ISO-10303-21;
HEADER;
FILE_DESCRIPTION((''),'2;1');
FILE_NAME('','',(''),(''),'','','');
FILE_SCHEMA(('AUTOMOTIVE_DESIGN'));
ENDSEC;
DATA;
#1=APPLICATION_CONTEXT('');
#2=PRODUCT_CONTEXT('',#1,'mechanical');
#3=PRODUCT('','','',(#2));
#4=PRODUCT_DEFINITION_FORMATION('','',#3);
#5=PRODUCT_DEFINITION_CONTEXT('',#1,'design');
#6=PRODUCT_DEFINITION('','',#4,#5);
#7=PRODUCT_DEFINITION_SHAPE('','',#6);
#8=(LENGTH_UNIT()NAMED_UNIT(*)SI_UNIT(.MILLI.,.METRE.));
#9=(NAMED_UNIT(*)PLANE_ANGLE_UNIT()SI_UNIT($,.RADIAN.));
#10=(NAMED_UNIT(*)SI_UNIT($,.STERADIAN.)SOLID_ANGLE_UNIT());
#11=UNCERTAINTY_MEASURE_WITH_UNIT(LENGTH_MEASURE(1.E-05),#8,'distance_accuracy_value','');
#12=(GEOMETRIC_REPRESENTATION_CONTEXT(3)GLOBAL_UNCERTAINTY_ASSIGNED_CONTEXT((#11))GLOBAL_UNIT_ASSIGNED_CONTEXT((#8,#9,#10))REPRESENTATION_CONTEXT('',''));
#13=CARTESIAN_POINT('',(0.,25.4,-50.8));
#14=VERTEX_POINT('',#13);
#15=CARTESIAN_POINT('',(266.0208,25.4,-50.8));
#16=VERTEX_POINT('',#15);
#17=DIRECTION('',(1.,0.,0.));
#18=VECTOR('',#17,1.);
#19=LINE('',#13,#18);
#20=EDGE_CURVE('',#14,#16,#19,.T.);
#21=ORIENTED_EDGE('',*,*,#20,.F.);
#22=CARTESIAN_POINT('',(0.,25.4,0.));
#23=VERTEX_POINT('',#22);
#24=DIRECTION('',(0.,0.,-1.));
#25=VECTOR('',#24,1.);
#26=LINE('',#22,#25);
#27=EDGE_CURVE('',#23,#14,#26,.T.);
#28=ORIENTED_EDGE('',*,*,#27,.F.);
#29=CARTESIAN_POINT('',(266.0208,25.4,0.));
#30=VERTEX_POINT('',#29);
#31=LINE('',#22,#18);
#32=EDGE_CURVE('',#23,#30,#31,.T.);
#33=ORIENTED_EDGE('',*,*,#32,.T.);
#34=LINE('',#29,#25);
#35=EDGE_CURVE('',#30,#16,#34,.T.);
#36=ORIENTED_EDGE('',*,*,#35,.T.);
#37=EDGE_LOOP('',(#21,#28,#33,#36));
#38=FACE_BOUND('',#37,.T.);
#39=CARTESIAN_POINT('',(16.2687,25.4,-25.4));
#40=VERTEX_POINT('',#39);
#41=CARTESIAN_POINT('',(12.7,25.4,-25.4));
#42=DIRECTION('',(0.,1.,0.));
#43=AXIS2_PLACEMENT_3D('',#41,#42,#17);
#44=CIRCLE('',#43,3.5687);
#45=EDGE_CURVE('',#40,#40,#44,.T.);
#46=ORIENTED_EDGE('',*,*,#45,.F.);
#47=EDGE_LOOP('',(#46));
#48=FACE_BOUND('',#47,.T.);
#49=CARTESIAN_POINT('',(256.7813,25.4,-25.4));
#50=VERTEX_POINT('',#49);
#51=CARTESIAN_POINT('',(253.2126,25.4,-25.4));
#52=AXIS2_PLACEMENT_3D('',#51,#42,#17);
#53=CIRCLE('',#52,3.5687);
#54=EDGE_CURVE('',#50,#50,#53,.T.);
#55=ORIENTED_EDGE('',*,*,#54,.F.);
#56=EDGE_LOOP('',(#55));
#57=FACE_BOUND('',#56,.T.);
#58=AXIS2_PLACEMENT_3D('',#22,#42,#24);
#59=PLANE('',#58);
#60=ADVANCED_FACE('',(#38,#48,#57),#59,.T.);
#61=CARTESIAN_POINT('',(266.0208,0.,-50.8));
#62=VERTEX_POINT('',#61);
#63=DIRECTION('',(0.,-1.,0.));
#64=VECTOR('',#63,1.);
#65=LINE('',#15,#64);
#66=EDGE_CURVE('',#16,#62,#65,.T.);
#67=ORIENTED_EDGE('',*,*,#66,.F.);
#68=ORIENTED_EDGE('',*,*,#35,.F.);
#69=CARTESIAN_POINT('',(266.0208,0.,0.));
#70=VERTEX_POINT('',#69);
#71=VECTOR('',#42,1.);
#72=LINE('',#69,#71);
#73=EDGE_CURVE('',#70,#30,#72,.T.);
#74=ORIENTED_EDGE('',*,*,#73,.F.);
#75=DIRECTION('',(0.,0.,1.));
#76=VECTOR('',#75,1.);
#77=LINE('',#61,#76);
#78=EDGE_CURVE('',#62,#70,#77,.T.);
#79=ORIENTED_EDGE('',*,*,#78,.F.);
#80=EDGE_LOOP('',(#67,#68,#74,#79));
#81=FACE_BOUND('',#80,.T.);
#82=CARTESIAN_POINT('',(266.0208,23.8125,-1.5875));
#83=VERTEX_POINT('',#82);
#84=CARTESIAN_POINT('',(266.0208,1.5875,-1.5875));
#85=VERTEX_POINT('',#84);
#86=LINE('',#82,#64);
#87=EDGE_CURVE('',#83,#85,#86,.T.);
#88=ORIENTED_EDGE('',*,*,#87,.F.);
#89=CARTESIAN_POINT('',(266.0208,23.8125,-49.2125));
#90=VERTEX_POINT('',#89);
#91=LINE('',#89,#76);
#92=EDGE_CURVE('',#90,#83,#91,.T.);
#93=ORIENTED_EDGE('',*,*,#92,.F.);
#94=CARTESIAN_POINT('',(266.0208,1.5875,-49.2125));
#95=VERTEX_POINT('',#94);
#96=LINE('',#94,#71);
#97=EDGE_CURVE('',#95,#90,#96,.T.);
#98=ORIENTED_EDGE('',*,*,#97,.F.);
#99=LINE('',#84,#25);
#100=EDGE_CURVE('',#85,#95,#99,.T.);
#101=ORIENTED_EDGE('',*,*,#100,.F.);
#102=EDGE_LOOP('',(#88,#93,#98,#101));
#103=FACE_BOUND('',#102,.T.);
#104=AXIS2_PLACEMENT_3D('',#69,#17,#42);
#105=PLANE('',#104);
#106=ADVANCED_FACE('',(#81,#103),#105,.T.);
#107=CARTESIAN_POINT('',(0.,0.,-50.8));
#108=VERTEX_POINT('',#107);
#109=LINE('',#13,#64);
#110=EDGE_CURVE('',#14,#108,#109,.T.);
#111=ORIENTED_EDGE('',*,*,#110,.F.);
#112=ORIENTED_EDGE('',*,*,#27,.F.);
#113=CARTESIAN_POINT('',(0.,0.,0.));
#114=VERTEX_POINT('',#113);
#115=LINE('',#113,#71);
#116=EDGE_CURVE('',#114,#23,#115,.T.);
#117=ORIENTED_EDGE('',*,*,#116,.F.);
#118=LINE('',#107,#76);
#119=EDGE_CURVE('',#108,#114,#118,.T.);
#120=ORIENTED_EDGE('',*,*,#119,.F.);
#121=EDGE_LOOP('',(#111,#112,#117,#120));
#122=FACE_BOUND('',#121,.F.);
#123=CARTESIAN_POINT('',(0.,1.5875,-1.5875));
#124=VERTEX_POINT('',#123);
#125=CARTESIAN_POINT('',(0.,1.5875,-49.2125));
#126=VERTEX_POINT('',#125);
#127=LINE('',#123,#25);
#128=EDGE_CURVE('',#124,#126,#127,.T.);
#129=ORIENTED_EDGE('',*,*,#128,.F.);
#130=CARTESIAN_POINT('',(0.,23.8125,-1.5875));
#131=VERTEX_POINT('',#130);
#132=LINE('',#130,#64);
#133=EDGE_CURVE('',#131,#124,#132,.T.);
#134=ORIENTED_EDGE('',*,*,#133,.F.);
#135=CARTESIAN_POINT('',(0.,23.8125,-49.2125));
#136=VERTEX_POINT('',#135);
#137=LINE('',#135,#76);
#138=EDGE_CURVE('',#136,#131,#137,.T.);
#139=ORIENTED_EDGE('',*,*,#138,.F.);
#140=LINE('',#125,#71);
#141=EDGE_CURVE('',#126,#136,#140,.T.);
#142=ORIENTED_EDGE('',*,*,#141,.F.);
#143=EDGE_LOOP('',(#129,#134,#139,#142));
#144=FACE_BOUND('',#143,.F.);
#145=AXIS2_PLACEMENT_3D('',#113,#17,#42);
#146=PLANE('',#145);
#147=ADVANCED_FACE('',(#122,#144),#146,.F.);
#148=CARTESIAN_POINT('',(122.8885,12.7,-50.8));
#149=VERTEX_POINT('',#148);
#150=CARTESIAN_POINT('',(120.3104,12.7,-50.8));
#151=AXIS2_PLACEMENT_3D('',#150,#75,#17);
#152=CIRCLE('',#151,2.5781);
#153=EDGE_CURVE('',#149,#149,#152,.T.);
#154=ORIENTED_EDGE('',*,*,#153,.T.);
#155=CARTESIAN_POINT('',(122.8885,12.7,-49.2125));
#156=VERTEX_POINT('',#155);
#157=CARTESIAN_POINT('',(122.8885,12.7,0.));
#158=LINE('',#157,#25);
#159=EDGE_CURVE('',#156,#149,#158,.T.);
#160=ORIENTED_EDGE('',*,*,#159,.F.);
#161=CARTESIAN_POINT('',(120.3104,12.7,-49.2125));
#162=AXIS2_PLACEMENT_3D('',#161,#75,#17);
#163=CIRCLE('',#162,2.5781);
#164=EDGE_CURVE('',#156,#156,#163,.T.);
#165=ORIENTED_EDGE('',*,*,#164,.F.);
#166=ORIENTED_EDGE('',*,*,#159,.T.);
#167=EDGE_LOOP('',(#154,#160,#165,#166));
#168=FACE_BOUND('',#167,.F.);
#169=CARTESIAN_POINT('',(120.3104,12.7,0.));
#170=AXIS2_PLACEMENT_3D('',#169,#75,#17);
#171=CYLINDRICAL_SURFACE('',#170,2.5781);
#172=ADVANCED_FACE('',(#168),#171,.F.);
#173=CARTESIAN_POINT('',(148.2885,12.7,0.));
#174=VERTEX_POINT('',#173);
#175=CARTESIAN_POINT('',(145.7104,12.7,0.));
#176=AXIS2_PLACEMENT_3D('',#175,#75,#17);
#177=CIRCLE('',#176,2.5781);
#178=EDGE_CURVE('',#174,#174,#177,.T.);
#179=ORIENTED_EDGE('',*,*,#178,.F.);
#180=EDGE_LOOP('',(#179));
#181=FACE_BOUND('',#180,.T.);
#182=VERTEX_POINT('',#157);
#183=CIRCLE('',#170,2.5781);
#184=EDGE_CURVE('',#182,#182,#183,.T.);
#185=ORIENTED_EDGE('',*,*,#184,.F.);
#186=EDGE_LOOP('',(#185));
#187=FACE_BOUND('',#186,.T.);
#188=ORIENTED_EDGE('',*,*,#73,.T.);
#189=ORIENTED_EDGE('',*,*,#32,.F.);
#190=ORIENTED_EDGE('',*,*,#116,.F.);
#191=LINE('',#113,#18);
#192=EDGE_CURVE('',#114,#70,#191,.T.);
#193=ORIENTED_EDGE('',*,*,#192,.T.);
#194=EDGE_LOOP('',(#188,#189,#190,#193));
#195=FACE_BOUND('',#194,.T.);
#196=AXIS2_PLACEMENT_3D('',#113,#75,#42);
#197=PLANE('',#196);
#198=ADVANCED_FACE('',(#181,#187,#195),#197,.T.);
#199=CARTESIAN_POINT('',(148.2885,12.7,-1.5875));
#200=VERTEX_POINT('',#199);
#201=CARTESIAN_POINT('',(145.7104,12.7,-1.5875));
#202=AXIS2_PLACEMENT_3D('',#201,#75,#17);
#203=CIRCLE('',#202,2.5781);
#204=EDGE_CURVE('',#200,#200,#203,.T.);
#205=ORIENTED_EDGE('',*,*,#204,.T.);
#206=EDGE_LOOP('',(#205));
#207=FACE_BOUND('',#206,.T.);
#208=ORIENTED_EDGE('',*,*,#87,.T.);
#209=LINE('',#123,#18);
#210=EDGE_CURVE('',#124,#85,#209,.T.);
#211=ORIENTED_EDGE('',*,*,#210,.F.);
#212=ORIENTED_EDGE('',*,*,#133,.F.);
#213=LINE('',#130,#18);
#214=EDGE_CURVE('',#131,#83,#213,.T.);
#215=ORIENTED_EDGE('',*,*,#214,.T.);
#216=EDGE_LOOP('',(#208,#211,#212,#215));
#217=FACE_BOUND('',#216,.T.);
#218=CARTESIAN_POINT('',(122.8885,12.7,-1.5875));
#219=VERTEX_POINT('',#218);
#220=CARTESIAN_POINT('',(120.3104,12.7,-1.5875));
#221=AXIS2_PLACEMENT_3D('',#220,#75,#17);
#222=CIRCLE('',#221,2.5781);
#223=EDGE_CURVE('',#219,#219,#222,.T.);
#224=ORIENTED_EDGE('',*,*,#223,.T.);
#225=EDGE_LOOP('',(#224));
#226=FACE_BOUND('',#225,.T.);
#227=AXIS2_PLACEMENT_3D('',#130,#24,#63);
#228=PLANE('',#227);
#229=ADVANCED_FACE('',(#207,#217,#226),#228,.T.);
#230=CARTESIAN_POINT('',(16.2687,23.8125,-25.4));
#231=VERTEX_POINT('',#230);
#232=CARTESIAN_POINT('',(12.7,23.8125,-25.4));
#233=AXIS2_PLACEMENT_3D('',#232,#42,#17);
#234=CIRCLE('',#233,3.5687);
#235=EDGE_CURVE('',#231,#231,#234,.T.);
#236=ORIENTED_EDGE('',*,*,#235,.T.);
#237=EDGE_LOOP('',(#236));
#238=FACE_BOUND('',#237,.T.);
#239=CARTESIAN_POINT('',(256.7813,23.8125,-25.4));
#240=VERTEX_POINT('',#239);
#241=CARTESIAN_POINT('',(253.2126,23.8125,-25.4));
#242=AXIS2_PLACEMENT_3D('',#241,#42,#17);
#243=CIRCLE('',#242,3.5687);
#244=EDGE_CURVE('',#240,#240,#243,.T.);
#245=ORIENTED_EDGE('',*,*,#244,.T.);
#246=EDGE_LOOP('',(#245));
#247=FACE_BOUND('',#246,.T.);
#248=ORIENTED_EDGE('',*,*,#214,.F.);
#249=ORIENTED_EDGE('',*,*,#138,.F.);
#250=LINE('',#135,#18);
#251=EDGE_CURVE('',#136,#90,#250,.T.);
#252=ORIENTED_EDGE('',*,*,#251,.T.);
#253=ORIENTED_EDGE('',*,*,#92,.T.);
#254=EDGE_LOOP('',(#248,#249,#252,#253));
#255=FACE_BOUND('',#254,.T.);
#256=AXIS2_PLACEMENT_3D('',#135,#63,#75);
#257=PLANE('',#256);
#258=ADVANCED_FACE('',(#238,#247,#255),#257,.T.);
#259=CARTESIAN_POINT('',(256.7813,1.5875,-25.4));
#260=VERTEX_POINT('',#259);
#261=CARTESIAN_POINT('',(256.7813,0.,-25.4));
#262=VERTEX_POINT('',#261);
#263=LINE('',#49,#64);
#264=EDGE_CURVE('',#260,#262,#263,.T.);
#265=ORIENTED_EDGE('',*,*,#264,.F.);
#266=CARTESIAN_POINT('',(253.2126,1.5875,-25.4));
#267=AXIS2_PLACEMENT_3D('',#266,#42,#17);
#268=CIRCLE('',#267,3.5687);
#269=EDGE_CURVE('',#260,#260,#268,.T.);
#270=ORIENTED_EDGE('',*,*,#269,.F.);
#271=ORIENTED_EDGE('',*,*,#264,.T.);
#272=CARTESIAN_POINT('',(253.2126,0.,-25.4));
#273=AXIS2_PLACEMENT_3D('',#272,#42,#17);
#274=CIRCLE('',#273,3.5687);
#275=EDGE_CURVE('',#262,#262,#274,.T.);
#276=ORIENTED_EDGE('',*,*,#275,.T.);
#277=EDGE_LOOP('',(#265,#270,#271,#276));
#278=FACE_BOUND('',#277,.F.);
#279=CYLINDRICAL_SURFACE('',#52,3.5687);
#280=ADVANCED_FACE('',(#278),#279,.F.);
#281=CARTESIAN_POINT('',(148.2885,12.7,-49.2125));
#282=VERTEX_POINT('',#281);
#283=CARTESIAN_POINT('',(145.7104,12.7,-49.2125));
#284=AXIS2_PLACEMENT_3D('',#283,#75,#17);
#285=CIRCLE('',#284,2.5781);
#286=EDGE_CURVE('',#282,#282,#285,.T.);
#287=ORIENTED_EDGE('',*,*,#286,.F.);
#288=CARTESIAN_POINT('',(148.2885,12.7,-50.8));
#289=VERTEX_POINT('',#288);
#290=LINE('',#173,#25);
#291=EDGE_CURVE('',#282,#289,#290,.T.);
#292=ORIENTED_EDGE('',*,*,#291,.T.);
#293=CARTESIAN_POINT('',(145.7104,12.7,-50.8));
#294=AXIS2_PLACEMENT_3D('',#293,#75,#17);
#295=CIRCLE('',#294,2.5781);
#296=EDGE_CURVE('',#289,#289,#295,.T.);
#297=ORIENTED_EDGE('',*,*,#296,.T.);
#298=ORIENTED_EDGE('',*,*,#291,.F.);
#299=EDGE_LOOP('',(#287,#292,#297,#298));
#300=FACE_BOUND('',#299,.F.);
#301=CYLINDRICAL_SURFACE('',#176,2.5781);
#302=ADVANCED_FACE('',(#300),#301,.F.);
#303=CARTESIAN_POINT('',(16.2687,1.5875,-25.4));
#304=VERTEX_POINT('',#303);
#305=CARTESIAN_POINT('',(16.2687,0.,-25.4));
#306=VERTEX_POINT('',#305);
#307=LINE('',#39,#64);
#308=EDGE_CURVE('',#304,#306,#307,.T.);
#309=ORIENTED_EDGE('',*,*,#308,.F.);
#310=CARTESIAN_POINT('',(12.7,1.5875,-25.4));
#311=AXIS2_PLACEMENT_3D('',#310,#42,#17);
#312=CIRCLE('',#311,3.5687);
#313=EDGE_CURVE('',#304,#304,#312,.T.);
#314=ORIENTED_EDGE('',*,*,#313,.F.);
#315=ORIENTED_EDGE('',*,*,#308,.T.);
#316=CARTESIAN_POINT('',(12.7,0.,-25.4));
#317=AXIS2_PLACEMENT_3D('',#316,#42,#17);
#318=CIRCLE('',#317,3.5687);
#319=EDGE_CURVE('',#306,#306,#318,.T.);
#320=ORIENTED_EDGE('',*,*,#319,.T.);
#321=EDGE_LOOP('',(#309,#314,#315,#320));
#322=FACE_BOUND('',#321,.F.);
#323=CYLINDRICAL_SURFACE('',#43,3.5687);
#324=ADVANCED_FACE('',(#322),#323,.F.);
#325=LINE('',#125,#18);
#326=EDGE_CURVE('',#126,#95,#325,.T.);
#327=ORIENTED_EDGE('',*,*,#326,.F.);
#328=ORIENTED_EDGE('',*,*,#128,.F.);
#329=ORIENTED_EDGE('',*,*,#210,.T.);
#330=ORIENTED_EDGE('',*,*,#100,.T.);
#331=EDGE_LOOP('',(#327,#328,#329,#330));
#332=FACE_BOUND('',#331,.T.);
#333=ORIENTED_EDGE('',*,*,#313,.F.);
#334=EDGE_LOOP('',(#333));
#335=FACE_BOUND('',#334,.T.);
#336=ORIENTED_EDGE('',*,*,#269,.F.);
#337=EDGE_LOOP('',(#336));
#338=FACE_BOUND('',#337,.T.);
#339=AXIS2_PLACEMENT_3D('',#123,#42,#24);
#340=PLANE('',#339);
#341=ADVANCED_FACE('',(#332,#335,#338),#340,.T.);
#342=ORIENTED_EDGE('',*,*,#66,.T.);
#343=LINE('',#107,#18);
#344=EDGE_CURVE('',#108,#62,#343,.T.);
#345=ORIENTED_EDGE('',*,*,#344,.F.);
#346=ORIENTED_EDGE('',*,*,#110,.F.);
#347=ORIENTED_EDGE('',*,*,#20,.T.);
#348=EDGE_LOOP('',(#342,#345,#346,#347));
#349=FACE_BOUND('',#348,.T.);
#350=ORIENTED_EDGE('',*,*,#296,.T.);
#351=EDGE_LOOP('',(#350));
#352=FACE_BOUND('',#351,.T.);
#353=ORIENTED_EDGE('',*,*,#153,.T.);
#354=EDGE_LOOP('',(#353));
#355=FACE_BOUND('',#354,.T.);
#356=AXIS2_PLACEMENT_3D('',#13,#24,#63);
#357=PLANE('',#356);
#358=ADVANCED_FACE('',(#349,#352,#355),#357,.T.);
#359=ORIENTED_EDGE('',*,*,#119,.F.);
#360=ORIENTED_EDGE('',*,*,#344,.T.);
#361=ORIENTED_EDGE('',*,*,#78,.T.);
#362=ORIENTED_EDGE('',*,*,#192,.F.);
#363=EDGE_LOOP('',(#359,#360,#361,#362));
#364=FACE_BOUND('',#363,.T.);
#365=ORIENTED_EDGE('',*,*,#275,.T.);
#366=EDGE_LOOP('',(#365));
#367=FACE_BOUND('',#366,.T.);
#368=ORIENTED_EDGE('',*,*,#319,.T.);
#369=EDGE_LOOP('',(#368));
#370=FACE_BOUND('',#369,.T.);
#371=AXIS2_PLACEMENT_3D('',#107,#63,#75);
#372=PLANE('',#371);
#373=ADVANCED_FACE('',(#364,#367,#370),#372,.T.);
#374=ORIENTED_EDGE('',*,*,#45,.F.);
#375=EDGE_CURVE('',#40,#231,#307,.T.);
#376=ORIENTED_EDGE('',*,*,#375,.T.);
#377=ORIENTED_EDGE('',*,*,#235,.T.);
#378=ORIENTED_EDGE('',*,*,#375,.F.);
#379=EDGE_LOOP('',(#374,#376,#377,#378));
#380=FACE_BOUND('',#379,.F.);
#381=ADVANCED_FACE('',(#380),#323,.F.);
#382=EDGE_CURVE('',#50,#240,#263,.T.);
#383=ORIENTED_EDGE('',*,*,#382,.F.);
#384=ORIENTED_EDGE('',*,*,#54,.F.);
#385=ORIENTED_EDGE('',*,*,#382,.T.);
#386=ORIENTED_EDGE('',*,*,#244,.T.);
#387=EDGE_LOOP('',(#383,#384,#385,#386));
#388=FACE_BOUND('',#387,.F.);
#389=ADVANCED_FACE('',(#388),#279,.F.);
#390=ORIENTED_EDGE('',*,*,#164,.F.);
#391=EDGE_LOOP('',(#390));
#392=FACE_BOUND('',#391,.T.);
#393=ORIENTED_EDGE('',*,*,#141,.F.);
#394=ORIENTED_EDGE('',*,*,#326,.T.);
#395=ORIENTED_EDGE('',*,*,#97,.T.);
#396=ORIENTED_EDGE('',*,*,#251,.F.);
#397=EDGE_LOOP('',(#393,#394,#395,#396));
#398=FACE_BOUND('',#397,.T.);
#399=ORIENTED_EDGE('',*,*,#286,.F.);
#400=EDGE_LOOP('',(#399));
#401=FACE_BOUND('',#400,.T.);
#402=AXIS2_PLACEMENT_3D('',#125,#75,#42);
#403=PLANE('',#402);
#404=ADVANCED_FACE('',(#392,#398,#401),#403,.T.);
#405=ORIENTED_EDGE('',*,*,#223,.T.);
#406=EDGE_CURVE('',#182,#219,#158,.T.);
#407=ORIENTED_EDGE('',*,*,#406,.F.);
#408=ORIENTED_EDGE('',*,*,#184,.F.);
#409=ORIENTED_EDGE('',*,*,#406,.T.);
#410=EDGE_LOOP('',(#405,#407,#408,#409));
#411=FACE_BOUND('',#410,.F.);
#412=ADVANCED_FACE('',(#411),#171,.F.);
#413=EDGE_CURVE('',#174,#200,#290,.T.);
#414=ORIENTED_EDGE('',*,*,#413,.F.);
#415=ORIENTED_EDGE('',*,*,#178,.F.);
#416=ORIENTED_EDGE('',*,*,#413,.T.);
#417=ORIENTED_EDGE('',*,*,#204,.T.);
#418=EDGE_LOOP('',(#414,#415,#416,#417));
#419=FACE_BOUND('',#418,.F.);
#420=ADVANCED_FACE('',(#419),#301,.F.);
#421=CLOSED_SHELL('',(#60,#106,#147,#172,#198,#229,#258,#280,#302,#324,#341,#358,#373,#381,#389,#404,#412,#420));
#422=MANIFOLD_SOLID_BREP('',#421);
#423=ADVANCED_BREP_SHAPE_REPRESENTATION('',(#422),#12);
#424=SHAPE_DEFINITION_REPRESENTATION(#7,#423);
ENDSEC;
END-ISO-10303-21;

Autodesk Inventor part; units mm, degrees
ref_plane "YZ Plane" through (0, 0, 0) normal (1, 0, 0) x (0, 1, 0)
ref_plane "XZ Plane" through (0, 0, 0) normal (0, 1, 0) x (-1, 0, 0)
ref_plane "XY Plane" through (0, 0, 0) normal (0, 0, 1) x (1, 0, 0)
sketch "Sketch1" plane through (0, 0, 0) normal (1, 0, 0) x (0, 1, 0)
  line L0 (0, 0) -> (25.4, 0)
  line L1 (25.4, 0) -> (25.4, -50.8)
  line L2 (25.4, -50.8) -> (0, -50.8)
  line L3 (0, -50.8) -> (0, 0)
  line L4 (23.8125, -1.5875) -> (1.5875, -1.5875)
  line L5 (1.5875, -1.5875) -> (1.5875, -49.2125)
  line L6 (1.5875, -49.2125) -> (23.8125, -49.2125)
  line L7 (23.8125, -49.2125) -> (23.8125, -1.5875)
  dimension "d0" = 25.4
  dimension "d1" = 50.8
  dimension "d2" = 1.5875
extrude "Extrusion1" add sketch "Sketch1" along normal blind 266.0208
sketch "Sketch2" plane through (0, 25.4, 0) normal (0, 1, 0) x (1, 0, 0)
  line L0 (0, 50.8) -> (0, 0) projected
  line L1 (0, 0) -> (266.0208, 0) projected
  line L2 (266.0208, 50.8) -> (266.0208, 0) projected
  line L3 (0, 50.8) -> (266.0208, 50.8) projected
  circle A0 centre (12.7, 25.4) radius 3.5687
  circle A1 centre (253.2126, 25.4) radius 3.5687
  point P0 (0, 0)
  dimension "d5" = 7.1374
  dimension "d6" = 12.7
  dimension "d7" = 7.1374
  dimension "d9" = 25.4
  dimension "d10" = 25.4
  dimension "d29" = 240.5126
extrude "Extrusion2" cut sketch "Sketch2" against normal blind 25.4 contours A0 | A1
sketch "Sketch4" plane through (0, 0, 0) normal (0, 0, 1) x (1, 0, 0)
  line L0 (0, 25.4) -> (0, 0) projected
  line L1 (0, 0) -> (266.0208, 0) projected
  line L2 (266.0208, 25.4) -> (266.0208, 0) projected
  line L3 (0, 25.4) -> (266.0208, 25.4) projected
  line L4 (133.0104, 25.4) -> (133.0104, 0) construction
  circle A0 centre (120.3104, 12.7) radius 2.5781
  circle A1 centre (145.7104, 12.7) radius 2.5781
  dimension "d21" = 5.1562
  dimension "d22" = 5.1562
  dimension "d23" = 12.7
  dimension "d24" = 25.4
  dimension "d27" = 12.7
  dimension "d28" = 12.7
extrude "Extrusion4" cut sketch "Sketch4" against normal through all contours A0 | A1
properties part number "2inTubeBase"
